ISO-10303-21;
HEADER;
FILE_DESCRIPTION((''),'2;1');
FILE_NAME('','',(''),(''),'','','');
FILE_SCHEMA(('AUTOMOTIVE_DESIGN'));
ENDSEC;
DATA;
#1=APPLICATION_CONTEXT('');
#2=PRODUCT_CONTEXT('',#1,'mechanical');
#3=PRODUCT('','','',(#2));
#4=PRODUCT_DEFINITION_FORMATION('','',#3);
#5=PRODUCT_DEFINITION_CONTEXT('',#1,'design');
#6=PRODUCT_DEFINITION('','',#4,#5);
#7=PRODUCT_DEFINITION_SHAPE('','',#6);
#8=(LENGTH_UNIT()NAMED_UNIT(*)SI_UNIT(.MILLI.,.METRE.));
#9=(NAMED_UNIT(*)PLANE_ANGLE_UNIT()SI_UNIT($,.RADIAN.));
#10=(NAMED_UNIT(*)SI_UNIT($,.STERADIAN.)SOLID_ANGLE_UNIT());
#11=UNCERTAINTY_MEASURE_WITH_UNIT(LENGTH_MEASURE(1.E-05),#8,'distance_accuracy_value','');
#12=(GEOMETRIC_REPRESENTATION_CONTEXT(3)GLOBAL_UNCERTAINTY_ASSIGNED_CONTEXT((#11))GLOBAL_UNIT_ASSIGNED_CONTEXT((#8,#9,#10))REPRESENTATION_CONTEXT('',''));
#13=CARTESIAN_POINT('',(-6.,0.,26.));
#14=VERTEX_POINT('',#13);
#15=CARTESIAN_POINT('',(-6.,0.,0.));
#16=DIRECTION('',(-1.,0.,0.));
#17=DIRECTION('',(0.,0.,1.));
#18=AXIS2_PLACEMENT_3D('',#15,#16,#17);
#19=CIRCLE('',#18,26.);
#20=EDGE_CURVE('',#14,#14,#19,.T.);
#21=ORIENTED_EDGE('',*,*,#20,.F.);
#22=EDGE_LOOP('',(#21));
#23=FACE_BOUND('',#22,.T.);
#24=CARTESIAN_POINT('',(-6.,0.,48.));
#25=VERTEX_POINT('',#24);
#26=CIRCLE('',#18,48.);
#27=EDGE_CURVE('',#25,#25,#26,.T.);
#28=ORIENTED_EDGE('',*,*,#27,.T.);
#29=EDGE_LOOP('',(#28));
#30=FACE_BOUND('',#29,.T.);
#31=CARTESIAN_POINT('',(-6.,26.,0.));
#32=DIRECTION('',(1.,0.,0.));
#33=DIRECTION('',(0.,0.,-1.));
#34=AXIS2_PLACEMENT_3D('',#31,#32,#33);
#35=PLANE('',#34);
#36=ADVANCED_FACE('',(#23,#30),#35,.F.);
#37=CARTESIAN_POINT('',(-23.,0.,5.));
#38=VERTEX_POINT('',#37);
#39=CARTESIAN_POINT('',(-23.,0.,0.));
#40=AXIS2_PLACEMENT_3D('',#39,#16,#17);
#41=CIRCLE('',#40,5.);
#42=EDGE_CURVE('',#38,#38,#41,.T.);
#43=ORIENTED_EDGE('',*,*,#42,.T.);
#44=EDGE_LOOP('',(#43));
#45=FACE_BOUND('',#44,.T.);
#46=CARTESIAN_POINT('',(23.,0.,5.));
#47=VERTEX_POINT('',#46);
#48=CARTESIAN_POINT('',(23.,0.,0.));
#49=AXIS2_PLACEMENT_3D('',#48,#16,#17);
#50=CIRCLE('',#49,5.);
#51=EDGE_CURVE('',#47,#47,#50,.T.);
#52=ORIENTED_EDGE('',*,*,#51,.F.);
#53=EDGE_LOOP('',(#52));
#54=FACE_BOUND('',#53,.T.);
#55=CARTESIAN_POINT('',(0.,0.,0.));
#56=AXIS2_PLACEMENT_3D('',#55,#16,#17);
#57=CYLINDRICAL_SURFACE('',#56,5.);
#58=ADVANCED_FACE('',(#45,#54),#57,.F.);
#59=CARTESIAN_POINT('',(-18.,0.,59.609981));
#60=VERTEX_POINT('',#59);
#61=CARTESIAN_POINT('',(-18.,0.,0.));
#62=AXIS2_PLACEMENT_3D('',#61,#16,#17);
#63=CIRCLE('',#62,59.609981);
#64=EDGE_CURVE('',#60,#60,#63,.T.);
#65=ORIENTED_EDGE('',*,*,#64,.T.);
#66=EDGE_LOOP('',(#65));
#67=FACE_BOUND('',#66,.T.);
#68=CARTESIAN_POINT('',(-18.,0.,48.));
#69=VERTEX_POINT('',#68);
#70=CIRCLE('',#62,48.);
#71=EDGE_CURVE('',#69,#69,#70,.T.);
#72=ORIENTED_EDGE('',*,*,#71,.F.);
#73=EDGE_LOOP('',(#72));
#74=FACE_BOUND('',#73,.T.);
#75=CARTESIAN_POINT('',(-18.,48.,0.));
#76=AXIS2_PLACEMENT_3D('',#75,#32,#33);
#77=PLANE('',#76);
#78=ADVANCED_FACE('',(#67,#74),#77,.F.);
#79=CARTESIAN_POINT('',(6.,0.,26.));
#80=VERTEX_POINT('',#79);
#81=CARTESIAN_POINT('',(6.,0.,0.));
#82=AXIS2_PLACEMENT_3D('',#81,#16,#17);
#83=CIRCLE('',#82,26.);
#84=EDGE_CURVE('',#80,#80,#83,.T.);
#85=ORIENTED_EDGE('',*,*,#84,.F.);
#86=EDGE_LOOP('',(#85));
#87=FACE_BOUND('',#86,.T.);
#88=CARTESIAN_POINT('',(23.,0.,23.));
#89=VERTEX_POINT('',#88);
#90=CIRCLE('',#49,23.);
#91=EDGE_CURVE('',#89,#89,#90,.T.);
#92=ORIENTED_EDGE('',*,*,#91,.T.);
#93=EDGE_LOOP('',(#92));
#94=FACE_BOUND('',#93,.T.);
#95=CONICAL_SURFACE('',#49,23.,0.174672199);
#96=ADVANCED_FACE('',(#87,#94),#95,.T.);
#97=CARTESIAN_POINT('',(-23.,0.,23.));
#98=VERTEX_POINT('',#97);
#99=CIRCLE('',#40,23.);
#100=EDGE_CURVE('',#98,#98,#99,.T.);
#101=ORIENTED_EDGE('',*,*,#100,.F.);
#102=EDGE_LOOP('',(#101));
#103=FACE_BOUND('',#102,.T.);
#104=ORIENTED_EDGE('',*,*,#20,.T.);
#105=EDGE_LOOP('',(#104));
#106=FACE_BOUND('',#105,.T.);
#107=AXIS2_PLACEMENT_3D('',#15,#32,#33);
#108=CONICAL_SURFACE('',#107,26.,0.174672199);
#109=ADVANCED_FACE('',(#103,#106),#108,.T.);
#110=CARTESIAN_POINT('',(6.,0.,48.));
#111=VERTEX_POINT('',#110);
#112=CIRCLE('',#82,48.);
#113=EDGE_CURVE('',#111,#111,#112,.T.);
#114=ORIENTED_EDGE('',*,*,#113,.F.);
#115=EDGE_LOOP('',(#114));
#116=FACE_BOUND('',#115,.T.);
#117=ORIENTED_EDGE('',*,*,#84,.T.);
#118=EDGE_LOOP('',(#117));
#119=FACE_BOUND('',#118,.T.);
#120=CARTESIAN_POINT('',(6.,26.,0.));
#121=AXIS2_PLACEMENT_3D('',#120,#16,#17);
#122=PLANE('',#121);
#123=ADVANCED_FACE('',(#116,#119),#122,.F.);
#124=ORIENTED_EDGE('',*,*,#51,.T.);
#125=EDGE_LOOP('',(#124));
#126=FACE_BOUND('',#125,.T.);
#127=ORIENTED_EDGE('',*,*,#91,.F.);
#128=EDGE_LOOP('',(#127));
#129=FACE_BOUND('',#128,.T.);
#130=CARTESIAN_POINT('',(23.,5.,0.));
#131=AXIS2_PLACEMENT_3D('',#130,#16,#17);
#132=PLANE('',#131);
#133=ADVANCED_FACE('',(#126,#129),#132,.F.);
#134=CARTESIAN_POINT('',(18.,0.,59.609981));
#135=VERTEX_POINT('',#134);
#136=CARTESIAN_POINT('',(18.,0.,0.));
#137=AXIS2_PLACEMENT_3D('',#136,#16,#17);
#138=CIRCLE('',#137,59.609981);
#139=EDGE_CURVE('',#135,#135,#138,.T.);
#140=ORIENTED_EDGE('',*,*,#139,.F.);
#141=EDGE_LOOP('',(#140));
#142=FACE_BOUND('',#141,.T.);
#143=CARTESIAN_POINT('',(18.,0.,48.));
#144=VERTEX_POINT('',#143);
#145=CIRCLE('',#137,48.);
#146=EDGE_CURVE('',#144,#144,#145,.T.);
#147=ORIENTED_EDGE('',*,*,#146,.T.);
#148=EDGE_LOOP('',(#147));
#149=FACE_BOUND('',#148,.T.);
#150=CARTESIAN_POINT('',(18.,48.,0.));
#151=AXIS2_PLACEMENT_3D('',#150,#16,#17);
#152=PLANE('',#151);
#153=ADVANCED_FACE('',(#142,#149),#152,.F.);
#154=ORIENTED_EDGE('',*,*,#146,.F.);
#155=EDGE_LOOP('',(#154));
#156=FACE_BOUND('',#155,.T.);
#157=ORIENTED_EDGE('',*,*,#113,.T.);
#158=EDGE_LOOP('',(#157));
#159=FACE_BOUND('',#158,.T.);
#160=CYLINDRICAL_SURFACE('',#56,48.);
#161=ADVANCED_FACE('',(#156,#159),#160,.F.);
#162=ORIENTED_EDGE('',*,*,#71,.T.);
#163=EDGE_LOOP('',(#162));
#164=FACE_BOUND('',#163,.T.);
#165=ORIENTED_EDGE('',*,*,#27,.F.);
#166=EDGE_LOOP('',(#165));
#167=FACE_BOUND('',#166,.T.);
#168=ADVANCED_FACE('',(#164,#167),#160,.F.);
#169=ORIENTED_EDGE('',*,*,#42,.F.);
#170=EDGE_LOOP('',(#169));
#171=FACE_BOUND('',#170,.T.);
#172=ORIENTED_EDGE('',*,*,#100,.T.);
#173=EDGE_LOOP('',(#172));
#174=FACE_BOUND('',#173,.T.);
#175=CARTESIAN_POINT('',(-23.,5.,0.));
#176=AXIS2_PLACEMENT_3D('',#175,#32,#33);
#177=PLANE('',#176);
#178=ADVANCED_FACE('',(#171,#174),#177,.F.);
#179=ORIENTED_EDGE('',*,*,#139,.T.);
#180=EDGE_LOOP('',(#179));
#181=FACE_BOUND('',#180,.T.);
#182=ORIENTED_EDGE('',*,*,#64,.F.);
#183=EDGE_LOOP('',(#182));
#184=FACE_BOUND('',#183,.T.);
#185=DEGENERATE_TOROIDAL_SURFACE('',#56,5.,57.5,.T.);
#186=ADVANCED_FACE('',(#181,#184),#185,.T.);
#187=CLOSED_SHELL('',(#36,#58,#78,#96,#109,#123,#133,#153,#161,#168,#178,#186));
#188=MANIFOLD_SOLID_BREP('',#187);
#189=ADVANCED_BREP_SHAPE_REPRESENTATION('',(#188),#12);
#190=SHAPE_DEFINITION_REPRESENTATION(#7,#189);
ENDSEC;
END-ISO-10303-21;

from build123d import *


with BuildPart() as part:
    # Sketch1 → Revolve1 (revolve)
    with BuildSketch(Plane.XY):
        with BuildLine():
            Line((-23, 5), (23, 5))
            Line((23, 5), (23, 23))
            Line((23, 23), (6, 26))
            Line((6, 26), (6, 48))
            Line((6, 48), (18, 48))
            Line((18, 48), (18, 59.609980773))
            ThreePointArc((18, 59.609980773), (0, 62.5), (-18, 59.609980773))
            Line((-18, 59.609980773), (-18, 48))
            Line((-18, 48), (-6, 48))
            Line((-6, 48), (-6, 26))
            Line((-6, 26), (-23, 23))
            Line((-23, 23), (-23, 5))
        make_face()
    revolve(axis=Axis((0, 0, 0), (1, 0, 0)))


solid = part.part
